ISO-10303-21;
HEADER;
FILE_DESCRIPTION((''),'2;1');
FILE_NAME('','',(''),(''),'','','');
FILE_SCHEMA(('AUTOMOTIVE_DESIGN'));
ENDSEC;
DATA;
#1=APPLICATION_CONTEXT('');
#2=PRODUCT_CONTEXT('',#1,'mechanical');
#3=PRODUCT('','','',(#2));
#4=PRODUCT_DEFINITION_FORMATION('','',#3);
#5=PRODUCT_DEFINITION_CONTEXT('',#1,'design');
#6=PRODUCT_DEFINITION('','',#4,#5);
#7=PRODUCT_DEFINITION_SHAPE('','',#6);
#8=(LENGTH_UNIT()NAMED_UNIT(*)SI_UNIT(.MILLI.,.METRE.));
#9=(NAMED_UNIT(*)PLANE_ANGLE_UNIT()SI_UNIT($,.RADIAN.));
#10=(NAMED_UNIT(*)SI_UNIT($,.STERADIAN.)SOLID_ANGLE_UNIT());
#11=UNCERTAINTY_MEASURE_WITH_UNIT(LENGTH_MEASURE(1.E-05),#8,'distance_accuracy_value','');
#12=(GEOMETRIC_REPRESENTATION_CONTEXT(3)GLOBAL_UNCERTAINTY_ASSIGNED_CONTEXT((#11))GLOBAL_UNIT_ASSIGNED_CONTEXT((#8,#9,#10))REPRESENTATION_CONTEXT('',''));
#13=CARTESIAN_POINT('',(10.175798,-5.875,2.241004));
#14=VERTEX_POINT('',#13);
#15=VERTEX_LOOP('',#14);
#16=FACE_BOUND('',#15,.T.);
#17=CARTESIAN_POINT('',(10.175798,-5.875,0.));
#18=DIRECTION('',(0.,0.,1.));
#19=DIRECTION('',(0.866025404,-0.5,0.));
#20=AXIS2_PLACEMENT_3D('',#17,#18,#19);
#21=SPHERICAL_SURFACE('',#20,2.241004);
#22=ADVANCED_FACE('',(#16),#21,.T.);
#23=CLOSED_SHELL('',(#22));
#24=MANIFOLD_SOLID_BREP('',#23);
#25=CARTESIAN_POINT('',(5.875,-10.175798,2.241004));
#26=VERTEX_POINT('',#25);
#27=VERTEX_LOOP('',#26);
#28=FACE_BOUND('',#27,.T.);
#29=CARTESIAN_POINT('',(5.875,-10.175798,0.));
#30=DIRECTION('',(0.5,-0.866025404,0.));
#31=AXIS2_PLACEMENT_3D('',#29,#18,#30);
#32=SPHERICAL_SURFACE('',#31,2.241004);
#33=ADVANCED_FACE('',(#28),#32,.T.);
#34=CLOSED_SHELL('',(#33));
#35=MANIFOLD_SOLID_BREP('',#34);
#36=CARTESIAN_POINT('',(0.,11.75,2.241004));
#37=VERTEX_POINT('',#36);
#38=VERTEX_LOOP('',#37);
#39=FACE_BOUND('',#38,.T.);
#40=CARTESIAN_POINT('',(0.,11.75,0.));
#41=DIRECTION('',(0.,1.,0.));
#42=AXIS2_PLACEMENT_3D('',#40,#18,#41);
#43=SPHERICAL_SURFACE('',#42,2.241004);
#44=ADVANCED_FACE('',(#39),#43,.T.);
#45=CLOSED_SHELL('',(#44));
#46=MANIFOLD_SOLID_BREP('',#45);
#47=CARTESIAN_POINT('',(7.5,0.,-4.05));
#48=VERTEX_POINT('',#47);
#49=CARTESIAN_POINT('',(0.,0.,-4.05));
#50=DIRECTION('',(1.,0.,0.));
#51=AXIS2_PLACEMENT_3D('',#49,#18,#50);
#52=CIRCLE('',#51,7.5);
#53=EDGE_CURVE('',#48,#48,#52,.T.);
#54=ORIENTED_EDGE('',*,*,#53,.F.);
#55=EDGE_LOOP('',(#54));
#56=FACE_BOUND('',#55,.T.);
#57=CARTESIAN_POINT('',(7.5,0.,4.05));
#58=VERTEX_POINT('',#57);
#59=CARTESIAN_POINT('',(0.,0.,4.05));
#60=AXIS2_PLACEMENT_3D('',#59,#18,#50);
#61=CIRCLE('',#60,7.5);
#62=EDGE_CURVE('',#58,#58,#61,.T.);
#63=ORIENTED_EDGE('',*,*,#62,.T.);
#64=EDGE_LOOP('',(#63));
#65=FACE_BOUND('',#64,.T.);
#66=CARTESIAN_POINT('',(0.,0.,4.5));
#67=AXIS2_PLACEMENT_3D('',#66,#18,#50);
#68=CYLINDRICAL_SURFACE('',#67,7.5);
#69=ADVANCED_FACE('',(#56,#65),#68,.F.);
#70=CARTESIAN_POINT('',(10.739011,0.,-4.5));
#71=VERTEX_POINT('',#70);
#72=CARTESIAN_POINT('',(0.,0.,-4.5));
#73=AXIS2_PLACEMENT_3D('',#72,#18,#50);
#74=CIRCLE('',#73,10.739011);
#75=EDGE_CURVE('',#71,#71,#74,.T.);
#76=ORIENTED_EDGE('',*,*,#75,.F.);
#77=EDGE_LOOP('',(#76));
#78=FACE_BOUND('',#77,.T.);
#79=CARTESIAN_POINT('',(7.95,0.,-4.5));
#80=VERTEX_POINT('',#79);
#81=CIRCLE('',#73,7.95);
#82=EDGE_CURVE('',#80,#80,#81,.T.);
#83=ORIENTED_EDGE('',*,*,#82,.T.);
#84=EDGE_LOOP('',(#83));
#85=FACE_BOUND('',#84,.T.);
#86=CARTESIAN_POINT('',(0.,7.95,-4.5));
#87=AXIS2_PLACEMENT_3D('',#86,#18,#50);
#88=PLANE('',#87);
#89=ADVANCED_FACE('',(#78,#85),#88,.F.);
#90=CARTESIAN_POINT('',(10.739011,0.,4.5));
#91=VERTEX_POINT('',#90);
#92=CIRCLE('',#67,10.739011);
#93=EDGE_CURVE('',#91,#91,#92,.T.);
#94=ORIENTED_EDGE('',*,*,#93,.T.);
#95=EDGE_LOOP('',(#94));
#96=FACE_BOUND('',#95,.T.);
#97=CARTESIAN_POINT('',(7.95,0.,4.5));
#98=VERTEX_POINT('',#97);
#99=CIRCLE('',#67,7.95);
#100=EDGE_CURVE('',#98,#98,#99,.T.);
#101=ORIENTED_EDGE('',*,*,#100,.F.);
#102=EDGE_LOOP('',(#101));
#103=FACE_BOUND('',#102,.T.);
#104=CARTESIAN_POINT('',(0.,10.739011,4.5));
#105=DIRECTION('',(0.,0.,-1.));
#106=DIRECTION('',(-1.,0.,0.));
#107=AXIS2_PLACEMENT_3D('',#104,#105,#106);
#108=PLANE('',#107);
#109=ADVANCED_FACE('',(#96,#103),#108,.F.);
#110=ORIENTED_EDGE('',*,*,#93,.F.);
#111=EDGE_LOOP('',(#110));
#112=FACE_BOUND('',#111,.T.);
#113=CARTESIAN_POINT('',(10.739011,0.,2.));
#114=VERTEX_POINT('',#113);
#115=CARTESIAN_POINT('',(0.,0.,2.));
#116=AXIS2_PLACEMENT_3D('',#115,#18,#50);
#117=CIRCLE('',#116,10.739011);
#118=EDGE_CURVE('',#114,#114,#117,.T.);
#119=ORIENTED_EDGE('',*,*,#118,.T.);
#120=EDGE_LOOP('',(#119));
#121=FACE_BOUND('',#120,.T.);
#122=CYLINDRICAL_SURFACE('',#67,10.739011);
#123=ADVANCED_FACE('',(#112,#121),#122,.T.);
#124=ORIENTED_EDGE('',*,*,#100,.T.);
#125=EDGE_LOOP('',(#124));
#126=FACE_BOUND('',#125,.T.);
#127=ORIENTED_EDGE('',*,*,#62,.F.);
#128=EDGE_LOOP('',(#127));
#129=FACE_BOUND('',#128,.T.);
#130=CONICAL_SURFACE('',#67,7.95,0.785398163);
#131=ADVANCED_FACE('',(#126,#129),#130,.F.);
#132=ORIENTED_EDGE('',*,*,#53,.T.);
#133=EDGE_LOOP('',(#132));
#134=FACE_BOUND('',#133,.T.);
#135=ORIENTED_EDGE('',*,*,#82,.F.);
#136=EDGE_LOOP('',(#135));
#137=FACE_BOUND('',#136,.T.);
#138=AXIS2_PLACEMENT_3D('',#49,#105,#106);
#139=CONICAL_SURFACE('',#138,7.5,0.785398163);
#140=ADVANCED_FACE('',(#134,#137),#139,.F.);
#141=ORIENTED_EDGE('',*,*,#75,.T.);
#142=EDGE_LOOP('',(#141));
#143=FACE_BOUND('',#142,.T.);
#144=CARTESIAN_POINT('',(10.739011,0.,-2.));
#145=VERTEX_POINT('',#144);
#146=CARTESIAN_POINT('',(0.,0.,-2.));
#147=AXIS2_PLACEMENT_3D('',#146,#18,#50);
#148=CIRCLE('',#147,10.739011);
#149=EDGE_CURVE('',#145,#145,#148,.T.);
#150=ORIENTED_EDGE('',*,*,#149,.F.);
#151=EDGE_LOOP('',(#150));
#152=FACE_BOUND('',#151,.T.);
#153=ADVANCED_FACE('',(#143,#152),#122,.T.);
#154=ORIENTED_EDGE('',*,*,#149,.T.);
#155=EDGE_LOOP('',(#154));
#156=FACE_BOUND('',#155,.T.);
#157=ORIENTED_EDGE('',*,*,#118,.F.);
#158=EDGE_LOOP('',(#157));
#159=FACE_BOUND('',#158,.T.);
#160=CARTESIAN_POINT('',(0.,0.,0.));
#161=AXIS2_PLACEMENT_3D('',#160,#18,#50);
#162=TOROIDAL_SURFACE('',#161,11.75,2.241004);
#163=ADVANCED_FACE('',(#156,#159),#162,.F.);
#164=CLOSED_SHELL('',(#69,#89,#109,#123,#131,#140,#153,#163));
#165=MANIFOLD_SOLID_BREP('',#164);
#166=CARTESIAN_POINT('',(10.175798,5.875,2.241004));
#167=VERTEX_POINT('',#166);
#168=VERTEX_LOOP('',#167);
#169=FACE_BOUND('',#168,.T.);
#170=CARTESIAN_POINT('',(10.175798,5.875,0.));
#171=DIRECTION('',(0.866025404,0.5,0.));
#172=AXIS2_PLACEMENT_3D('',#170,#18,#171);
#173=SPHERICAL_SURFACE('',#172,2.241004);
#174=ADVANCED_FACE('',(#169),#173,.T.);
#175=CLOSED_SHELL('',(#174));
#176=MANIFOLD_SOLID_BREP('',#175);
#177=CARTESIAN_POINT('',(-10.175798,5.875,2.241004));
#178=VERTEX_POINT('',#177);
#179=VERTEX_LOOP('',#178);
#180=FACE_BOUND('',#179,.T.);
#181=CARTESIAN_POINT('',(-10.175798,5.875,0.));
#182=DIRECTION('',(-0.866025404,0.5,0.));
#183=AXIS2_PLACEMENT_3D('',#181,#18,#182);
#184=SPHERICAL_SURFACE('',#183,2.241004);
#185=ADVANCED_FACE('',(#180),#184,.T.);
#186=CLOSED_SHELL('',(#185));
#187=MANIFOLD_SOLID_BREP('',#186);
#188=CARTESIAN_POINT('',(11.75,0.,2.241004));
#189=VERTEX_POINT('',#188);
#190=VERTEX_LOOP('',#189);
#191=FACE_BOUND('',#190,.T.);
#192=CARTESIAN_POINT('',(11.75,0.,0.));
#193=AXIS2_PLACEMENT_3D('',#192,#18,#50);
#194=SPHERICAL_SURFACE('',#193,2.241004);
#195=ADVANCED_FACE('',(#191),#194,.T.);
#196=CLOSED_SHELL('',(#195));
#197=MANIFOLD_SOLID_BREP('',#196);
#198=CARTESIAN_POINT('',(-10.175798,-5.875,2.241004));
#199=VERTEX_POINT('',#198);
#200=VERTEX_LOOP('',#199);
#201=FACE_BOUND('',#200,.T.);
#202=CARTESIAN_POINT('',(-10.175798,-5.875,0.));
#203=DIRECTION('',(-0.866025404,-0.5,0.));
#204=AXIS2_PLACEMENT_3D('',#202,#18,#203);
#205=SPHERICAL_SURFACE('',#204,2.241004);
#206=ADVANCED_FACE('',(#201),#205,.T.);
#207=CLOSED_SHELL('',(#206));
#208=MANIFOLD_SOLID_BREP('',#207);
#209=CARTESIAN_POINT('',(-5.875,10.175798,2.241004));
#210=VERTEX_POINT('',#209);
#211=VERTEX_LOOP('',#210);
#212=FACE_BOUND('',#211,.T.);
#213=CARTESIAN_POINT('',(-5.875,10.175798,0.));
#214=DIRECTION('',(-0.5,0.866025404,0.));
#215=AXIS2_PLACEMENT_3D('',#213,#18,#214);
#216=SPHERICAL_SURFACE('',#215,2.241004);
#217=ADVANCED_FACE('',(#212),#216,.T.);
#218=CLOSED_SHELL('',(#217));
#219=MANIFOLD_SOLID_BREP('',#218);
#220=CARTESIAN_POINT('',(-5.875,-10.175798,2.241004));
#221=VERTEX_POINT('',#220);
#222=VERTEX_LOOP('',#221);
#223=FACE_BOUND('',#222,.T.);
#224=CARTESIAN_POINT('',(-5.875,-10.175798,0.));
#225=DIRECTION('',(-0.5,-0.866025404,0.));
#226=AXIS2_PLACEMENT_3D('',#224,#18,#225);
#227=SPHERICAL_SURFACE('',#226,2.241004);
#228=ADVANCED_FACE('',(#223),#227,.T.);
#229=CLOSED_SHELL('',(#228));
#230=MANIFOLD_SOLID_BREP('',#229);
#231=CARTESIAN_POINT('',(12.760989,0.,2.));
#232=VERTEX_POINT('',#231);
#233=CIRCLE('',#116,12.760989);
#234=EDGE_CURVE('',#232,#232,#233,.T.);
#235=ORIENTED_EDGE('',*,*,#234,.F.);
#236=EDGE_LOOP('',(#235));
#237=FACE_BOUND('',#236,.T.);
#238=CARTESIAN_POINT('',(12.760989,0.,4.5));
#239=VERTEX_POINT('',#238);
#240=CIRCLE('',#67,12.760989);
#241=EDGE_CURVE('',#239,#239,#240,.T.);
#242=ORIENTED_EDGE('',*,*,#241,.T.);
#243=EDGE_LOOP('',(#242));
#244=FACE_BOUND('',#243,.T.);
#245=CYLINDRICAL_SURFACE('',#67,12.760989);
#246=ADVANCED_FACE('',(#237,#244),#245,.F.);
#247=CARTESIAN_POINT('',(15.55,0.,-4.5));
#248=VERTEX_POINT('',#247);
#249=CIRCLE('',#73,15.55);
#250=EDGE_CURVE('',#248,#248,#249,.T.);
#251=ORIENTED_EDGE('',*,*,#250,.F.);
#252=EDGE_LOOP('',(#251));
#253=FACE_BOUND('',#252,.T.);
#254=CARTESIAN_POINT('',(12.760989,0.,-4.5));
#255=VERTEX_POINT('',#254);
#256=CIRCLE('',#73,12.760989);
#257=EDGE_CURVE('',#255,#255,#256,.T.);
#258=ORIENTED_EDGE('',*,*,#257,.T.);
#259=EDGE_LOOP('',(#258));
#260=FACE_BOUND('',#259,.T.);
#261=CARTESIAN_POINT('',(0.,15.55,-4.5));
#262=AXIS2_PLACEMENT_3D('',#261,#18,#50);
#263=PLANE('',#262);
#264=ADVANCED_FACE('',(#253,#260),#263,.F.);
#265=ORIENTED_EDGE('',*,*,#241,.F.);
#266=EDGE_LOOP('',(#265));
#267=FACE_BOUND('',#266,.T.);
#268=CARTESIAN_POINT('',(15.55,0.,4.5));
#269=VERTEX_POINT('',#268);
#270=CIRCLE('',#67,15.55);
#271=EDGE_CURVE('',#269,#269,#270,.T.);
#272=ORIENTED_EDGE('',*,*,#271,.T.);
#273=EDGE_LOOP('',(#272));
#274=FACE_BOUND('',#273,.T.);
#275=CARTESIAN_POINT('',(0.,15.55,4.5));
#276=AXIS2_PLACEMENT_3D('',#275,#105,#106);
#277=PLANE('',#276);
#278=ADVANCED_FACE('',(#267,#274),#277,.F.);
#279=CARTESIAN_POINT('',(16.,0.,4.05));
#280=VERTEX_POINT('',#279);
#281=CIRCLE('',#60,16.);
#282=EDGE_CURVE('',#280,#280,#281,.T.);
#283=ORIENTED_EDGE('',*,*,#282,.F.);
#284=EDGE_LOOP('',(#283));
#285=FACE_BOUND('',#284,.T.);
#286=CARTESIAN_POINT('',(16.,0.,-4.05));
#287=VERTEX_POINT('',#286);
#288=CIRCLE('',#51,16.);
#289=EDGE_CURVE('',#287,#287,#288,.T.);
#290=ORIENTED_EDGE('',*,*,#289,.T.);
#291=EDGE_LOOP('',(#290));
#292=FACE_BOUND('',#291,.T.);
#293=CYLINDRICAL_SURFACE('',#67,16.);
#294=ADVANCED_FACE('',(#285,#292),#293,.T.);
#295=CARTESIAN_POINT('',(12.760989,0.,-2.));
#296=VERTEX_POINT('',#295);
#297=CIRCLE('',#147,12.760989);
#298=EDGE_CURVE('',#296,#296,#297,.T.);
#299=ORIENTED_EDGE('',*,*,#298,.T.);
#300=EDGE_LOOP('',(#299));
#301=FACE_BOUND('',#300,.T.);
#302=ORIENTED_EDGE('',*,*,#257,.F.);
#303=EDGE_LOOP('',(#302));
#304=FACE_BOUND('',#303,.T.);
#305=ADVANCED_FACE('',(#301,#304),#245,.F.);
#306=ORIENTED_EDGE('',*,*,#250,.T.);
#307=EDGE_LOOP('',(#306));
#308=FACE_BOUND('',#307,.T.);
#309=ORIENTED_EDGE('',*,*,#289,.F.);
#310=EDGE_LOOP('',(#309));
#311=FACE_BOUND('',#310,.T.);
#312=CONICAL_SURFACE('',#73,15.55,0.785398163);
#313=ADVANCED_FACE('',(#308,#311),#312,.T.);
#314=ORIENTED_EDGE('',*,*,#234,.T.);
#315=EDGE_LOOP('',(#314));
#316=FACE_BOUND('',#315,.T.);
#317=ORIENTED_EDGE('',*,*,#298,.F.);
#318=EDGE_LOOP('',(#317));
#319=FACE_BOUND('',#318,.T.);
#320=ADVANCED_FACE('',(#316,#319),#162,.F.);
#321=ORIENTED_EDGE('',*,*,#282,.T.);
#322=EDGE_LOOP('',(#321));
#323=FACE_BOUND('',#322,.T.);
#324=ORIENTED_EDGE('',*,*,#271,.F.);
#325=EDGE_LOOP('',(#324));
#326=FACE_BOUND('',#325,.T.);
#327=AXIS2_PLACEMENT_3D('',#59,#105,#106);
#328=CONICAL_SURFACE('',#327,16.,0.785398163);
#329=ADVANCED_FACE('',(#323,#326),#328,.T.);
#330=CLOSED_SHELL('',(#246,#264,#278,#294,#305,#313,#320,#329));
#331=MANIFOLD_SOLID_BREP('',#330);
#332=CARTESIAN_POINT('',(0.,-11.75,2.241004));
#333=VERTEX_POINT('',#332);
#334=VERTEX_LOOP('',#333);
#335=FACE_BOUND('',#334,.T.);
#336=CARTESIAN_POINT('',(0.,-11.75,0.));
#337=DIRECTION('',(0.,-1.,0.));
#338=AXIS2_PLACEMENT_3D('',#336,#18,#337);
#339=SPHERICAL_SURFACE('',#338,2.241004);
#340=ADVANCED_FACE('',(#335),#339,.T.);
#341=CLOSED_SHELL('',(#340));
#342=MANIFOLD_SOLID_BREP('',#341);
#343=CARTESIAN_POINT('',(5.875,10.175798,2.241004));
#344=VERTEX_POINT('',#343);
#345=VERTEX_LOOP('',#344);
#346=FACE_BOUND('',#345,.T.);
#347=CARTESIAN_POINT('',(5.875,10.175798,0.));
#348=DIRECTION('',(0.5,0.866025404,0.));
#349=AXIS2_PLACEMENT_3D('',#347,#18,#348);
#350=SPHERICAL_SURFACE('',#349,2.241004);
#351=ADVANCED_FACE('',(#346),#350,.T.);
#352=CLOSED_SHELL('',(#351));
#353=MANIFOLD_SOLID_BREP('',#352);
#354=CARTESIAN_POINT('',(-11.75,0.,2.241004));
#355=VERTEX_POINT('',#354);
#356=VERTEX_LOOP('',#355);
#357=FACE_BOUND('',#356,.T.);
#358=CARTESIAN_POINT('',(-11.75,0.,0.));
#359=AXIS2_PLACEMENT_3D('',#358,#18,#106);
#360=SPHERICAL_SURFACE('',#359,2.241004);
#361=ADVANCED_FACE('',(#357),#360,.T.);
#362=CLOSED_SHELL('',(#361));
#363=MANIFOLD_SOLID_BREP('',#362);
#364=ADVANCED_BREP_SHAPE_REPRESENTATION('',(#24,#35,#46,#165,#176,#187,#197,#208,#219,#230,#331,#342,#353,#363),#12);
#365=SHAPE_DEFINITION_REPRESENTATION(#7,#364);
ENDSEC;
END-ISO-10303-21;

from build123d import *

# Parameters (mm, degrees)
CIRPATTERN1_COUNT = 12


with BuildPart() as part:
    # Sketch1 → Revolve1 (revolve)
    with BuildSketch(Plane(origin=(0, 0, 0), x_dir=(0, 0, -1), z_dir=(1, 0, 0)), mode=Mode.PRIVATE) as revolve1_sk:
        with BuildLine():
            Line((4.05, 16), (-4.05, 16))
            Line((-4.05, 16), (-4.5, 15.55))
            Line((-4.5, 15.55), (-4.5, 12.760989011))
            Line((-4.5, 12.760989011), (-2, 12.760989011))
            ThreePointArc((-2, 12.760989011), (0, 13.991003967), (2, 12.760989011))
            Line((2, 12.760989011), (4.5, 12.760989011))
            Line((4.5, 12.760989011), (4.5, 15.55))
            Line((4.5, 15.55), (4.05, 16))
        make_face()
    revolve(revolve1_sk.sketch.rotate(Axis((0, 0, 4.5), (0, 0, -1)), 90), axis=Axis((0, 0, 4.5), (0, 0, -1)))


with BuildPart() as body_2:
    # Sketch3 → Revolve3 (revolve)
    with BuildSketch(Plane(origin=(0, 0, 0), x_dir=(0, 0, -1), z_dir=(1, 0, 0)), mode=Mode.PRIVATE) as revolve3_sk:
        with BuildLine():
            Line((-4.5, 10.739010989), (-2, 10.739010989))
            ThreePointArc((-2, 10.739010989), (0, 9.508996033), (2, 10.739010989))
            Line((2, 10.739010989), (4.5, 10.739010989))
            Line((4.5, 10.739010989), (4.5, 7.95))
            Line((4.5, 7.95), (4.05, 7.5))
            Line((4.05, 7.5), (-4.05, 7.5))
            Line((-4.05, 7.5), (-4.5, 7.95))
            Line((-4.5, 7.95), (-4.5, 10.739010989))
        make_face()
    revolve(revolve3_sk.sketch.rotate(Axis((0, 0, 4.5), (0, 0, -1)), 90), axis=Axis((0, 0, 4.5), (0, 0, -1)))


with BuildPart() as body_3:
    # Sketch4 → Revolve4 (revolve)
    with BuildSketch(Plane(origin=(0, 0, 0), x_dir=(0, 0, -1), z_dir=(1, 0, 0))):
        with BuildLine():
            Line((-2.241003967, 11.75), (2.241003967, 11.75))
            ThreePointArc((2.241003967, 11.75), (0, 13.991003967), (-2.241003967, 11.75))
        make_face()
    revolve(axis=Axis((0, 11.75, 2.241003967), (0, 0, -1)))


with BuildPart() as cirpattern1_1:
    # CirPattern1: pattern copy
    add(body_3.part.rotate(Axis((0, 0, 0), (0, 0, 1)), 1 * 360 / CIRPATTERN1_COUNT))


with BuildPart() as cirpattern1_2:
    # CirPattern1: pattern copy
    add(body_3.part.rotate(Axis((0, 0, 0), (0, 0, 1)), 2 * 360 / CIRPATTERN1_COUNT))


with BuildPart() as cirpattern1_3:
    # CirPattern1: pattern copy
    add(body_3.part.rotate(Axis((0, 0, 0), (0, 0, 1)), 3 * 360 / CIRPATTERN1_COUNT))


with BuildPart() as cirpattern1_4:
    # CirPattern1: pattern copy
    add(body_3.part.rotate(Axis((0, 0, 0), (0, 0, 1)), 4 * 360 / CIRPATTERN1_COUNT))


with BuildPart() as cirpattern1_5:
    # CirPattern1: pattern copy
    add(body_3.part.rotate(Axis((0, 0, 0), (0, 0, 1)), 5 * 360 / CIRPATTERN1_COUNT))


with BuildPart() as cirpattern1_6:
    # CirPattern1: pattern copy
    add(body_3.part.rotate(Axis((0, 0, 0), (0, 0, 1)), 6 * 360 / CIRPATTERN1_COUNT))


with BuildPart() as cirpattern1_7:
    # CirPattern1: pattern copy
    add(body_3.part.rotate(Axis((0, 0, 0), (0, 0, 1)), 7 * 360 / CIRPATTERN1_COUNT))


with BuildPart() as cirpattern1_8:
    # CirPattern1: pattern copy
    add(body_3.part.rotate(Axis((0, 0, 0), (0, 0, 1)), 8 * 360 / CIRPATTERN1_COUNT))


with BuildPart() as cirpattern1_9:
    # CirPattern1: pattern copy
    add(body_3.part.rotate(Axis((0, 0, 0), (0, 0, 1)), 9 * 360 / CIRPATTERN1_COUNT))


with BuildPart() as cirpattern1_10:
    # CirPattern1: pattern copy
    add(body_3.part.rotate(Axis((0, 0, 0), (0, 0, 1)), 10 * 360 / CIRPATTERN1_COUNT))


with BuildPart() as cirpattern1_11:
    # CirPattern1: pattern copy
    add(body_3.part.rotate(Axis((0, 0, 0), (0, 0, 1)), 11 * 360 / CIRPATTERN1_COUNT))


solid = Compound([part.part, body_2.part, body_3.part, cirpattern1_1.part, cirpattern1_2.part, cirpattern1_3.part, cirpattern1_4.part, cirpattern1_5.part, cirpattern1_6.part, cirpattern1_7.part, cirpattern1_8.part, cirpattern1_9.part, cirpattern1_10.part, cirpattern1_11.part])
